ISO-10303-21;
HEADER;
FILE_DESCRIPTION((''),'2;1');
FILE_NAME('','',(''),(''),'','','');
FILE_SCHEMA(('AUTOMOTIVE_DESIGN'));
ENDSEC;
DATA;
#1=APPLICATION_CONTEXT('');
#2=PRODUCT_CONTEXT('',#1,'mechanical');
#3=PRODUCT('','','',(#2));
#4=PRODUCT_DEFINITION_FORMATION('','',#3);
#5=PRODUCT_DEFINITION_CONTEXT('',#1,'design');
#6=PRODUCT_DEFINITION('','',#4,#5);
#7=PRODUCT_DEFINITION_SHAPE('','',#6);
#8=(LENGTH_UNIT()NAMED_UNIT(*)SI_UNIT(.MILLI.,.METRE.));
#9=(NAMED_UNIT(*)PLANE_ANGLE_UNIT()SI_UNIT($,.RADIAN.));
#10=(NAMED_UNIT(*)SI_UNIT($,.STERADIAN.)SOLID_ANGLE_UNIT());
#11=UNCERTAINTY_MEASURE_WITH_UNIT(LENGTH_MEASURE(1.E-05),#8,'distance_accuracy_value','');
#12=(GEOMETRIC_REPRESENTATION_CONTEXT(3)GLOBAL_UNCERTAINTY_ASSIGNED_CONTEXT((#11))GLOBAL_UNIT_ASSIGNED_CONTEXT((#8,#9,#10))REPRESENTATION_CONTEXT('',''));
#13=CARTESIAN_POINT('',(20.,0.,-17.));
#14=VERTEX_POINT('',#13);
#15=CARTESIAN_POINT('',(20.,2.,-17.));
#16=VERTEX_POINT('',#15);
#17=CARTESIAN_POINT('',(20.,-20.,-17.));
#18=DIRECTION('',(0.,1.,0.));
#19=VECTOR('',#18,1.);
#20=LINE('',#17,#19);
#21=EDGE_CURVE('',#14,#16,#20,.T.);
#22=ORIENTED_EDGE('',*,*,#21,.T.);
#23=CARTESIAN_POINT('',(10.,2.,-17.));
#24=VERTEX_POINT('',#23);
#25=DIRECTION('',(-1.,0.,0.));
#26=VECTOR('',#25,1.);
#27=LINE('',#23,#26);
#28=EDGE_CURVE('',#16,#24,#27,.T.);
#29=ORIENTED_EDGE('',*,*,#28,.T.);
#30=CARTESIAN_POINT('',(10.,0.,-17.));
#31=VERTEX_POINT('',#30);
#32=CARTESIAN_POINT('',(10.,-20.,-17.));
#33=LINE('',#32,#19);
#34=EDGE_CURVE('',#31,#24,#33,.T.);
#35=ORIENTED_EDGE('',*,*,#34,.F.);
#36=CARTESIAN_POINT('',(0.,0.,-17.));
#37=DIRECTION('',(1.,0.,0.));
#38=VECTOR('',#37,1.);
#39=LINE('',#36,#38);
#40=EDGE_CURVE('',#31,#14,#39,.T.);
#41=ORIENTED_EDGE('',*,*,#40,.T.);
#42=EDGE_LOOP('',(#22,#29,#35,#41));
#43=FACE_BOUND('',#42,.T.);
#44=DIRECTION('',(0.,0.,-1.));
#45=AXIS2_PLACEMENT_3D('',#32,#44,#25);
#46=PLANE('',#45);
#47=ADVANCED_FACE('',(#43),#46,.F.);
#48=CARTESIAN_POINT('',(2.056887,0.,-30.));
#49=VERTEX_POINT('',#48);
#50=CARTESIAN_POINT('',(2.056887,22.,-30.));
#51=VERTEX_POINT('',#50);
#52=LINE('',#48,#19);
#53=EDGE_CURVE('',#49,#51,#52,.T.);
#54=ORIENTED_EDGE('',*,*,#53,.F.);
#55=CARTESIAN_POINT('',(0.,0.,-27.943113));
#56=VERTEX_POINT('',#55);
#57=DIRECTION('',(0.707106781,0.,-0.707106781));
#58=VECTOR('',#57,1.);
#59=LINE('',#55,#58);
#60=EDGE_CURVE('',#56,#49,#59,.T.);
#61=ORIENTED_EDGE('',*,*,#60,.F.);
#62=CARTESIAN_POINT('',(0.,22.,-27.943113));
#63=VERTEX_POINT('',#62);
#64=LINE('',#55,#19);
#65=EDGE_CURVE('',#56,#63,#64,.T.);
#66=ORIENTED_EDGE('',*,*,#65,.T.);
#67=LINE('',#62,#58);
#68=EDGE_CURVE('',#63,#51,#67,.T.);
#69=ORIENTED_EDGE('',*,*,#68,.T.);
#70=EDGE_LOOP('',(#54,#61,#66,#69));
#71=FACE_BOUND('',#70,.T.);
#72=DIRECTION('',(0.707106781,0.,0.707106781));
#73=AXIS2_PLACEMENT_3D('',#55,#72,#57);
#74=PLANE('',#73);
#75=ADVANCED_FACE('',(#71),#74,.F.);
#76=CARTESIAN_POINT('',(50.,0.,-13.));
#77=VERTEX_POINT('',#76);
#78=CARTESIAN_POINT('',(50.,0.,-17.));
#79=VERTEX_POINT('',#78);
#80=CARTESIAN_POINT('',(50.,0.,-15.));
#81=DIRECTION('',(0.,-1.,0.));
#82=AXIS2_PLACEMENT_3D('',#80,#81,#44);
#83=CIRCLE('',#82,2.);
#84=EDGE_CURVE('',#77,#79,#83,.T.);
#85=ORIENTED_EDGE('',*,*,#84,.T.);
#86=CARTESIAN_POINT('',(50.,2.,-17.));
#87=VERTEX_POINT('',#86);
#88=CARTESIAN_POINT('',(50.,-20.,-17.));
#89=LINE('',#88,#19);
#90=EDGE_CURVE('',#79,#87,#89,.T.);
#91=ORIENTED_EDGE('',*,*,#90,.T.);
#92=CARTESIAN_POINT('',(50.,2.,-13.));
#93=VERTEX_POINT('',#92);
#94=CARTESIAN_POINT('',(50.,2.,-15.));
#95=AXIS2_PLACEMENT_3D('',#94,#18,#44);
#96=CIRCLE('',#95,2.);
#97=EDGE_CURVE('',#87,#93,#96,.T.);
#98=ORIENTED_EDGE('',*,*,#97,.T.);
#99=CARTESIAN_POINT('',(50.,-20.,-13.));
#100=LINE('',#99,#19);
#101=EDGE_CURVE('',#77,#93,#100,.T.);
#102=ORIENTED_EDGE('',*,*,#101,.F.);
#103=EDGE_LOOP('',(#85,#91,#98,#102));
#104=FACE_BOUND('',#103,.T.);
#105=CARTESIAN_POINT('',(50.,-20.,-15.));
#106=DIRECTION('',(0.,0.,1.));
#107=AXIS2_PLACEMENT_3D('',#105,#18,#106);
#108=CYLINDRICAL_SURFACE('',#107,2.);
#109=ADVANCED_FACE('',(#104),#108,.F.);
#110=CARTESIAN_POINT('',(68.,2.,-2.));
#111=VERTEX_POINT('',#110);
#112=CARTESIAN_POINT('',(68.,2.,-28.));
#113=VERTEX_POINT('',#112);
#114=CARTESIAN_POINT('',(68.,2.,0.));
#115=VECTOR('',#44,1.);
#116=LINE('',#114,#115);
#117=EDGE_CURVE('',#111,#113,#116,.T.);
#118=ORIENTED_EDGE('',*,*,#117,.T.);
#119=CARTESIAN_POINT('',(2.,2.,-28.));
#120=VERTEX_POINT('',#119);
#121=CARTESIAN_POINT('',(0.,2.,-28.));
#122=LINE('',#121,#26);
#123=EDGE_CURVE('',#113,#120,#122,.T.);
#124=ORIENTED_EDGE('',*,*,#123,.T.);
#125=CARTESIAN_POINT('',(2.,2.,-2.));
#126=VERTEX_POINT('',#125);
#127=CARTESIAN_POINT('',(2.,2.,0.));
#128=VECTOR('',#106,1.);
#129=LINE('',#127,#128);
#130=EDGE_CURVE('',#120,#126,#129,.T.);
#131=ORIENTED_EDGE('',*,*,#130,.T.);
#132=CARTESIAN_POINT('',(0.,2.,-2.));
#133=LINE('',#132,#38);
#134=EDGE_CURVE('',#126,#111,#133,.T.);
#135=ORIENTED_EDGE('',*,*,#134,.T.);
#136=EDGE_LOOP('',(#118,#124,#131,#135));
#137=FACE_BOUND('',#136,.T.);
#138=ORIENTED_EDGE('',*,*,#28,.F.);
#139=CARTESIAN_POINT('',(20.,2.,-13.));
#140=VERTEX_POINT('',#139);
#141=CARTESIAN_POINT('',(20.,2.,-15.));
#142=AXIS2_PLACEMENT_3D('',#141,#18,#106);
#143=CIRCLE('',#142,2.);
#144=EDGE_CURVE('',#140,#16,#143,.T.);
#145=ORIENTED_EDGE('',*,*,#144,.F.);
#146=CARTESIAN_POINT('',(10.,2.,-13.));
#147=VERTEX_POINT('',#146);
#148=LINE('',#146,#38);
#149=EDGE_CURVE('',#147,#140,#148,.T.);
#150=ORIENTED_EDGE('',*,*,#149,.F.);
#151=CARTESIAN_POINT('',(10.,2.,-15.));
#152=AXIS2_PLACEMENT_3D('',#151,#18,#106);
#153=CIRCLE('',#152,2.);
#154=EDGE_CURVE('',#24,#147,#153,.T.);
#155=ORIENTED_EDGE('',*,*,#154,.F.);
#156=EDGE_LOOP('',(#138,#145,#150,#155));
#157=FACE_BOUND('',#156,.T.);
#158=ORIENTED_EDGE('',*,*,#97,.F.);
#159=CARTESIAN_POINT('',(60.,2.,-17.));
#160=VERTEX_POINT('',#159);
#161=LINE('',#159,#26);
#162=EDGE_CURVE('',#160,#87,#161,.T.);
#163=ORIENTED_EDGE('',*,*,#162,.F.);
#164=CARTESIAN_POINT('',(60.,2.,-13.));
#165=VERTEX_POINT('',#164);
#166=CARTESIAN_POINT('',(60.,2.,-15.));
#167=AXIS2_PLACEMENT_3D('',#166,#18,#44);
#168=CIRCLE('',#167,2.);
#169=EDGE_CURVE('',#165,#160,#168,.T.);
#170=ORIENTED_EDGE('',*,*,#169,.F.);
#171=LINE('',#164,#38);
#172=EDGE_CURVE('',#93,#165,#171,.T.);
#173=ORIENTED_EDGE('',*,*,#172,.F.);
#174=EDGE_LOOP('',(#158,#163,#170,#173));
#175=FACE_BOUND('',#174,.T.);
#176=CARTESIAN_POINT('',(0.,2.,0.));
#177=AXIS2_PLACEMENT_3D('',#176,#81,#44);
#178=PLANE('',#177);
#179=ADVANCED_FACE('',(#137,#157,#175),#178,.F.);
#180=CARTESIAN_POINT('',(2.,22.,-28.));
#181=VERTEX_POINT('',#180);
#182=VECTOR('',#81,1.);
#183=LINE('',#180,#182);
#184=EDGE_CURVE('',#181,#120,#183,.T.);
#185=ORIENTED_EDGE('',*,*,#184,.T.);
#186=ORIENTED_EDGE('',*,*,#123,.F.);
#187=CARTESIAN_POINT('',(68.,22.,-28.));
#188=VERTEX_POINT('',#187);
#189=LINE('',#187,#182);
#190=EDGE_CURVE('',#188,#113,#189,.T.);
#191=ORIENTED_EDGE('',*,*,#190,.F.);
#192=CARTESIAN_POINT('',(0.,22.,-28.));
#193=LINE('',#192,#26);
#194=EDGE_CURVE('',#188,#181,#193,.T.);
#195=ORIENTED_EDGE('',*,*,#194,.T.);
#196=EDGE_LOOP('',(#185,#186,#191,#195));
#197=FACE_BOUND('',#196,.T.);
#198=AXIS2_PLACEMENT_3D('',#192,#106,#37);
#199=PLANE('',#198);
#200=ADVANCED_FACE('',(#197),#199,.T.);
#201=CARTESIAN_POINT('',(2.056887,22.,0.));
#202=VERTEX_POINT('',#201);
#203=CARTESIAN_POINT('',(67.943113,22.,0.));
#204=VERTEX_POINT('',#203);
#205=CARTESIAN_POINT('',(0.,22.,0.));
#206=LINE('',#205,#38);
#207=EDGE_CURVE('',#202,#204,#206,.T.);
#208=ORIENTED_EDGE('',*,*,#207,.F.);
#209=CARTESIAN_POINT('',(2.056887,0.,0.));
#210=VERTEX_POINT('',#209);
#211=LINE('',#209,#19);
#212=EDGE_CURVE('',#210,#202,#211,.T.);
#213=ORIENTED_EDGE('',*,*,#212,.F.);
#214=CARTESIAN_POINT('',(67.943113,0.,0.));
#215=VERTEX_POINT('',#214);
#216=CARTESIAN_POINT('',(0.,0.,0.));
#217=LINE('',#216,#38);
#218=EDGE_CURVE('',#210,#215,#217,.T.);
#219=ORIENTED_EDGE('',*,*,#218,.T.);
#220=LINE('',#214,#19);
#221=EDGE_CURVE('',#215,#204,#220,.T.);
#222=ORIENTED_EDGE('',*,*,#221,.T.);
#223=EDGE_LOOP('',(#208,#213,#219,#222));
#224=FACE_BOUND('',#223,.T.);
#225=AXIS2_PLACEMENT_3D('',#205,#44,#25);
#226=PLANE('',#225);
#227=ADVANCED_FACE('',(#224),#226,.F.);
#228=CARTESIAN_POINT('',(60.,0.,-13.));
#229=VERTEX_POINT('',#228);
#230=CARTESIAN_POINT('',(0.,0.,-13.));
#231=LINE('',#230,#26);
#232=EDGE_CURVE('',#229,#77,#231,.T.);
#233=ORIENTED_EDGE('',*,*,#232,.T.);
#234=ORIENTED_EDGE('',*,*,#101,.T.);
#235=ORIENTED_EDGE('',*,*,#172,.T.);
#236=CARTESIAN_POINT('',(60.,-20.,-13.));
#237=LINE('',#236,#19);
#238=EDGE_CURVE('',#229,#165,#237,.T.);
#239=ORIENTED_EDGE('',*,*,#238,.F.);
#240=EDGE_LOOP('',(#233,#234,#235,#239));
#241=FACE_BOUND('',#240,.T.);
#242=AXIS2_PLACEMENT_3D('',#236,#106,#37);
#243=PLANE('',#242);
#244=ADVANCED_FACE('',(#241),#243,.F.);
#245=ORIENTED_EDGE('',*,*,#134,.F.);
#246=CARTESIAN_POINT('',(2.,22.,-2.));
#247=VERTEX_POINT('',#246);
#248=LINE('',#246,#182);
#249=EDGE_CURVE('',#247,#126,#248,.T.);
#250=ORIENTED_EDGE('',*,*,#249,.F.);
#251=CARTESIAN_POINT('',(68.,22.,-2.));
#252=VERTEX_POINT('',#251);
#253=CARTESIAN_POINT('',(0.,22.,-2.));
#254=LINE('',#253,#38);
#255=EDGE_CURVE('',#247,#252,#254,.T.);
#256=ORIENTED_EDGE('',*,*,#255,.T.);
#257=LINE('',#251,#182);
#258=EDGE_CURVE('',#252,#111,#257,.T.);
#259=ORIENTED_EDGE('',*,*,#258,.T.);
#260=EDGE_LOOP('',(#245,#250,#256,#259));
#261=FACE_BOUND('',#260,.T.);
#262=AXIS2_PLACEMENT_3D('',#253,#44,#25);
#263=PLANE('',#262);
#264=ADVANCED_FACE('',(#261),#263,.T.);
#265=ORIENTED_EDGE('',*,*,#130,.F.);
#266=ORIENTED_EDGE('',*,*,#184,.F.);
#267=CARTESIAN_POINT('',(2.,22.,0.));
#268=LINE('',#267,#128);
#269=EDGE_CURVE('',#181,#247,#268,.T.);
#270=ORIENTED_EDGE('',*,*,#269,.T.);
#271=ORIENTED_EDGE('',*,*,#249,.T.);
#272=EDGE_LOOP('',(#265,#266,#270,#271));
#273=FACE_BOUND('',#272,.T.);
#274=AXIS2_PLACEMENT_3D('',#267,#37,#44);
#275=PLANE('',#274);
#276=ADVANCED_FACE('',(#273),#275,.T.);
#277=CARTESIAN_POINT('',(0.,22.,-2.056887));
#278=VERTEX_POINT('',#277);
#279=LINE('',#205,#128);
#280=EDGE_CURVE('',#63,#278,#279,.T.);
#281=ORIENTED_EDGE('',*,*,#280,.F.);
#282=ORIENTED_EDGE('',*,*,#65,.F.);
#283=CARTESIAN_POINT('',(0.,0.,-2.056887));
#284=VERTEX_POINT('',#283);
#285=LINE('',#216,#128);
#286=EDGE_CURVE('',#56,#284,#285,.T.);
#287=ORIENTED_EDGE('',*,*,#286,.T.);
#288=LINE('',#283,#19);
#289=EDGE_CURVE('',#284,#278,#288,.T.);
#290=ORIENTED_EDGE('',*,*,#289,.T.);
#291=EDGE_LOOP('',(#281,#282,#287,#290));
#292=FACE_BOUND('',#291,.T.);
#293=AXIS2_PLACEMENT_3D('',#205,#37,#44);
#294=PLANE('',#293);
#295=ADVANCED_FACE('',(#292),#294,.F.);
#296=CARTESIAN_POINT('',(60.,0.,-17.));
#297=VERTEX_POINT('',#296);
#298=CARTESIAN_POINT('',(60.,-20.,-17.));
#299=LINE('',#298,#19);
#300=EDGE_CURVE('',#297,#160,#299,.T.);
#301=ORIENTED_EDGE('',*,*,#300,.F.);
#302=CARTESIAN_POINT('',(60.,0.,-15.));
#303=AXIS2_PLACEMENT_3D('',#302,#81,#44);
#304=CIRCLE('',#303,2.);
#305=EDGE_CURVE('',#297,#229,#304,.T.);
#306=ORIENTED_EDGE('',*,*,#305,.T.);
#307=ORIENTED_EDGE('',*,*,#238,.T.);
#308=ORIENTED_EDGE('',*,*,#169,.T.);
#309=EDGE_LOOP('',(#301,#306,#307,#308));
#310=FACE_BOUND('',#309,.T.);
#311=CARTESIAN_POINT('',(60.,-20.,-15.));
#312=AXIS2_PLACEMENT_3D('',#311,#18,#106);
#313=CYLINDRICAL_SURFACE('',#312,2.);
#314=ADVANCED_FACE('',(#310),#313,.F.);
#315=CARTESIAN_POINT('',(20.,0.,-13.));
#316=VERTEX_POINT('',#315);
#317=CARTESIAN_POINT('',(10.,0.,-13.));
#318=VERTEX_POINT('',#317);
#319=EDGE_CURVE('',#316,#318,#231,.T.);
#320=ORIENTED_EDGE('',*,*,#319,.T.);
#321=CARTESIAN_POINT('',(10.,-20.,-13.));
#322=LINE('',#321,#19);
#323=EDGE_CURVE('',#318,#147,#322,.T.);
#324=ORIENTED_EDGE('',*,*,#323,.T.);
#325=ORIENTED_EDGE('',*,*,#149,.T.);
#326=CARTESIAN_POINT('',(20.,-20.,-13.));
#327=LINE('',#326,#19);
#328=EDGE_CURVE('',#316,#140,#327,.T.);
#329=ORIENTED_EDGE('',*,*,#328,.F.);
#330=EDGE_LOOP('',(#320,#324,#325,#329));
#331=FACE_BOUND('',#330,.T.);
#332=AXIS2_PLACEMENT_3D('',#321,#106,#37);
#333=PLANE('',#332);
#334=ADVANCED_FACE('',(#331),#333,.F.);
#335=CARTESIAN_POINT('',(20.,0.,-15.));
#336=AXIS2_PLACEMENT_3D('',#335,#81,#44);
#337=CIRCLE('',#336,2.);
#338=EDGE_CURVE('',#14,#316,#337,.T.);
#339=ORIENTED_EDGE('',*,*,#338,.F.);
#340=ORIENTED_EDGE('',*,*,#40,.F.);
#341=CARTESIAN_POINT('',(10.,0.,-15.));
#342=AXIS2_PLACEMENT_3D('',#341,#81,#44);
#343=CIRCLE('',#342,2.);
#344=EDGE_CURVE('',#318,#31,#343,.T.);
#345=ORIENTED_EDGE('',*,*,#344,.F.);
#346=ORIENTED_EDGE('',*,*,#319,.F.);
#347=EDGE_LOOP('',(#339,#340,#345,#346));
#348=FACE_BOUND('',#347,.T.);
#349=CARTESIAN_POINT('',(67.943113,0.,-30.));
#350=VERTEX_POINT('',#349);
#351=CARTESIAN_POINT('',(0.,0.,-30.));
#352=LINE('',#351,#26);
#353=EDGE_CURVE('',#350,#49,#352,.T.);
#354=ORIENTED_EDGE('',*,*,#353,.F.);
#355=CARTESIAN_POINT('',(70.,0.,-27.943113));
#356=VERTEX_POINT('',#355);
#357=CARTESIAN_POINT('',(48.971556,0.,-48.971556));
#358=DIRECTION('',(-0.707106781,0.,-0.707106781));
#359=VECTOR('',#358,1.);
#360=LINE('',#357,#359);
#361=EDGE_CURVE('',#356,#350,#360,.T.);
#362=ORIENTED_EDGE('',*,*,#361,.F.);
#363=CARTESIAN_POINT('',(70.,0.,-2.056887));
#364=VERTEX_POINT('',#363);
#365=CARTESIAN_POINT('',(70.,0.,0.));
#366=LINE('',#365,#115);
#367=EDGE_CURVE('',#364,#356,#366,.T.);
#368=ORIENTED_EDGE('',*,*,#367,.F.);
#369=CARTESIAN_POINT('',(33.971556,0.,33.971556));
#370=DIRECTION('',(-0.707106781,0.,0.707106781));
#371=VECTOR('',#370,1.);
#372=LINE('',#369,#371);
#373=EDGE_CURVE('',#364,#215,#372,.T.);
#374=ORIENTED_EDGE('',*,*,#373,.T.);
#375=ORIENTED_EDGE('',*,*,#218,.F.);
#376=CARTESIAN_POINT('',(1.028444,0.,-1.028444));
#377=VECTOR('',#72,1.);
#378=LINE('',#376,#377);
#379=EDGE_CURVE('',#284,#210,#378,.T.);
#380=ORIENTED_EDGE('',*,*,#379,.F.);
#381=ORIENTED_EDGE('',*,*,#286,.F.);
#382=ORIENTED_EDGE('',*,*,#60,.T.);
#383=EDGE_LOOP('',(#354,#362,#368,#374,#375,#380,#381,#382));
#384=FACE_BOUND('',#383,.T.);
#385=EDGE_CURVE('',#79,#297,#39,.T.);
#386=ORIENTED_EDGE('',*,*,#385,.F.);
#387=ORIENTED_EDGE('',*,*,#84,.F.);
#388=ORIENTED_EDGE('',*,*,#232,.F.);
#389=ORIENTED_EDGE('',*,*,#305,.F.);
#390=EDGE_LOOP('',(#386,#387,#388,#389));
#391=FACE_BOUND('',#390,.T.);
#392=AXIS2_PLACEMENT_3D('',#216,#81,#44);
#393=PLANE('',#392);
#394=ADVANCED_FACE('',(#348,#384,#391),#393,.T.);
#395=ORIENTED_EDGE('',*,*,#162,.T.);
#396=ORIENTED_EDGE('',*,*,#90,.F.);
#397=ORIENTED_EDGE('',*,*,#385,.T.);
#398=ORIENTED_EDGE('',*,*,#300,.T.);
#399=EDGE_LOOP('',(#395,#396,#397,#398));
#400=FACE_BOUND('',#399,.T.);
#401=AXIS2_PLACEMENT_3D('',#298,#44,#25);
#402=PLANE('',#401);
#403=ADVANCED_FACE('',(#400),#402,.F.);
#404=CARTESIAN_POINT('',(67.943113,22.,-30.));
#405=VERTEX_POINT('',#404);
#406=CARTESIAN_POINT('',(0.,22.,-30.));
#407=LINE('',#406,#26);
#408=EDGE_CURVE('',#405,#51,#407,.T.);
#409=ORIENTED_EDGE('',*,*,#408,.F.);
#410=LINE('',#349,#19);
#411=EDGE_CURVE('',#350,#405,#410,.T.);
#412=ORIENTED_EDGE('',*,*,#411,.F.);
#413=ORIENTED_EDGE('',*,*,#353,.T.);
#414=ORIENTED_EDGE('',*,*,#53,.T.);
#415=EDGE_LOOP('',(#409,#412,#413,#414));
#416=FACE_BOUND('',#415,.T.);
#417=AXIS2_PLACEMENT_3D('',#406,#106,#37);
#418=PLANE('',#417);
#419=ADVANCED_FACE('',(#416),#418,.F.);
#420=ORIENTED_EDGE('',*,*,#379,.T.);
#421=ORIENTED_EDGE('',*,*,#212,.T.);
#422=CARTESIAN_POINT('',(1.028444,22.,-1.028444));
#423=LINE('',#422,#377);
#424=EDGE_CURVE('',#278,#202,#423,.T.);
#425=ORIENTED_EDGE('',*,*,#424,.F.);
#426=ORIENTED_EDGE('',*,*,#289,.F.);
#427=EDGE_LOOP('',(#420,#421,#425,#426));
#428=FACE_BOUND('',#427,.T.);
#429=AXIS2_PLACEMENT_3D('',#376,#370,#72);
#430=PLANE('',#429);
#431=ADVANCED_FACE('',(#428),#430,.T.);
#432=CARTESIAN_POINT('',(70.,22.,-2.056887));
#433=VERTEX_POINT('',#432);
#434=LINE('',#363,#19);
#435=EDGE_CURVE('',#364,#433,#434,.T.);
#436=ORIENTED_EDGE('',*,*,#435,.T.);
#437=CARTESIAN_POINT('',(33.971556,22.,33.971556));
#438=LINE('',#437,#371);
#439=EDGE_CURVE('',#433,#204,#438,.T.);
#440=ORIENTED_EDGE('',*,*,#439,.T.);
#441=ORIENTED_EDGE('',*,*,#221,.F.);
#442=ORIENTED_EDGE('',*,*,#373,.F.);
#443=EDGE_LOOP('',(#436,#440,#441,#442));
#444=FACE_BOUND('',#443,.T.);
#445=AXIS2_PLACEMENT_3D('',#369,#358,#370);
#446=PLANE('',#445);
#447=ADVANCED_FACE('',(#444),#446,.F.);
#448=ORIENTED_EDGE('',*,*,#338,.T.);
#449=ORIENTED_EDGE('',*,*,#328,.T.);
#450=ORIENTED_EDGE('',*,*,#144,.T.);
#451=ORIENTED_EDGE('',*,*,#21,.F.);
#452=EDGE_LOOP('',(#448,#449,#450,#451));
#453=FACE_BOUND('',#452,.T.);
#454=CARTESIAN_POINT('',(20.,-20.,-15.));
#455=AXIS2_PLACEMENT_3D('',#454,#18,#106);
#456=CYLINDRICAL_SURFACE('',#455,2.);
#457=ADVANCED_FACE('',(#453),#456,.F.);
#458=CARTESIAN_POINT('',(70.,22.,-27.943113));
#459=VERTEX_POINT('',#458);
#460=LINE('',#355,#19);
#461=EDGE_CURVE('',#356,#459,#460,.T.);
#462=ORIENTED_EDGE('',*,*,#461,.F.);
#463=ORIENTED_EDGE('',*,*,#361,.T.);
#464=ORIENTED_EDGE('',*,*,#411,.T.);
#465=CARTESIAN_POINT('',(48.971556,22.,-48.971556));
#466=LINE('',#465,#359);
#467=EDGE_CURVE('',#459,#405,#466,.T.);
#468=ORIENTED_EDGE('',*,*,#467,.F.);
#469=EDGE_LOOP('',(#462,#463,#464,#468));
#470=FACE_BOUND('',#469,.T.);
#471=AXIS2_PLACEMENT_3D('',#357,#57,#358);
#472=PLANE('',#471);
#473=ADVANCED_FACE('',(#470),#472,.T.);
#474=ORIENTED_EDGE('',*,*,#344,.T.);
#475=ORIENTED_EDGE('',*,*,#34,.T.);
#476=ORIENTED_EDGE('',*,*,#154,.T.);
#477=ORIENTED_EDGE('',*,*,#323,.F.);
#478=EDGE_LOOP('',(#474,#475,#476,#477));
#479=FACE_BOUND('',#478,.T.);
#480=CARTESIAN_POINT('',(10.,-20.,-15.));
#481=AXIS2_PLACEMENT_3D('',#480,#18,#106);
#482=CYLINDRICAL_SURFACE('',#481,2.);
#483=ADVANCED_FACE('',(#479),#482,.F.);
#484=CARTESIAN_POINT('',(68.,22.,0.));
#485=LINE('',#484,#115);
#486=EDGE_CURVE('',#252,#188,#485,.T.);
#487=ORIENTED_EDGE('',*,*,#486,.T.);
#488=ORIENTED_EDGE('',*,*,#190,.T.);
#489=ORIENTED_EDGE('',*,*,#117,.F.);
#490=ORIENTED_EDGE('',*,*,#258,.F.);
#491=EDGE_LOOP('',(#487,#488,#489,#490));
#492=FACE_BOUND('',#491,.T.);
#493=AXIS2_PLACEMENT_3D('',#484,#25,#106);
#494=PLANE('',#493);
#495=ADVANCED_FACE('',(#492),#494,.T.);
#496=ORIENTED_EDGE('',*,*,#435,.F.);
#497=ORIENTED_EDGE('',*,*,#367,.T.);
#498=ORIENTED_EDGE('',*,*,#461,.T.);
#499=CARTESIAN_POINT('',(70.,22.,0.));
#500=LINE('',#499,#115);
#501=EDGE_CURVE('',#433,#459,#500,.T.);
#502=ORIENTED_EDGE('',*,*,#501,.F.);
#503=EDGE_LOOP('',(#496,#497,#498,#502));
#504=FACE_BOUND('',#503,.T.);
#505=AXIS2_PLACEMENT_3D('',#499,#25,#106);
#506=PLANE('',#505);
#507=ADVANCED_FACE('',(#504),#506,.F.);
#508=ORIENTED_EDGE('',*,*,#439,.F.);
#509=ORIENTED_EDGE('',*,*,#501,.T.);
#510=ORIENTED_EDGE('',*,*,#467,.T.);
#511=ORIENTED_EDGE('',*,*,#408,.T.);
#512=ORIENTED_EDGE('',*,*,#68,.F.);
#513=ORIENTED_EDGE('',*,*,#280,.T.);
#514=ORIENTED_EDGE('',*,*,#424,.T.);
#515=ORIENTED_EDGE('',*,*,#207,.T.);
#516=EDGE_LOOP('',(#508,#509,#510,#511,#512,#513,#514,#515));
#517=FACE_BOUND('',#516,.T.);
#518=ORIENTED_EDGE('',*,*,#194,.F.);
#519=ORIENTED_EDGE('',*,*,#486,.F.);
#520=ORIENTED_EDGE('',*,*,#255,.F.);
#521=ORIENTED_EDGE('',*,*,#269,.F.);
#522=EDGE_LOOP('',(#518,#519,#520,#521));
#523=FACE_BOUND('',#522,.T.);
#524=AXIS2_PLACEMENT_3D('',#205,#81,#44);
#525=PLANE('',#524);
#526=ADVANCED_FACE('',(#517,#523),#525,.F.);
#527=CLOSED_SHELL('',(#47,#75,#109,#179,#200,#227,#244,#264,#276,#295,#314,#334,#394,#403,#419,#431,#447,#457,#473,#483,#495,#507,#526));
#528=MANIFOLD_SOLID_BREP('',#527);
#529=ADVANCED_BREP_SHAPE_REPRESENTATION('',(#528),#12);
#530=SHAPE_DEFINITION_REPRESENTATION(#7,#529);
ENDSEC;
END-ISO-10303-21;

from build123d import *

# Parameters (mm, degrees)
CROQUIS1_W              = 70
CROQUIS1_H              = 30
SALIENTE_EXTRUIR1_DEPTH = 22
VACIADO1_T              = -2
CORTAR_EXTRUIR1_DEPTH   = 22
CORTAR_EXTRUIR3_DEPTH   = 22


with BuildPart() as part:
    # Croquis1 → Saliente-Extruir1 (new body)
    with BuildSketch(Plane(origin=(0, 0, 0), x_dir=(1, 0, 0), z_dir=(0, 1, 0))):
        with Locations((35, 15)):
            Rectangle(CROQUIS1_W, CROQUIS1_H)
    extrude(amount=SALIENTE_EXTRUIR1_DEPTH)

    # Vaciado1
    vaciado1_openings = [part.faces().sort_by_distance(p)[0] for p in [
        (35, 22, -15),
    ]]
    offset(amount=VACIADO1_T, openings=vaciado1_openings, kind=Kind.INTERSECTION)

    # Croquis2 → Cortar-Extruir1 (cut)
    with BuildSketch(Plane(origin=(0, 2, 0), x_dir=(1, 0, 0), z_dir=(0, 1, 0))):
        with BuildLine():
            Line((60, 17), (50, 17))
            ThreePointArc((50, 17), (48, 15), (50, 13))
            Line((50, 13), (60, 13))
            ThreePointArc((60, 13), (62, 15), (60, 17))
        make_face()
        with BuildLine():
            Line((10, 17), (20, 17))
            ThreePointArc((20, 17), (22, 15), (20, 13))
            Line((20, 13), (10, 13))
            ThreePointArc((10, 13), (8, 15), (10, 17))
        make_face()
    extrude(amount=-CORTAR_EXTRUIR1_DEPTH, mode=Mode.SUBTRACT)

    # Croquis3 → Cortar-Extruir3 (cut)
    with BuildSketch(Plane(origin=(0, 22, 0), x_dir=(1, 0, 0), z_dir=(0, 1, 0))):
        Polygon((2.056887166, 0), (0, 2.056887166), (0, 0), align=None)
        Polygon((70, 0), (70, 2.056887166), (67.943112834, 0), align=None)
        Polygon((70, 30), (67.943112834, 30), (70, 27.943112834), align=None)
        Polygon((0, 30), (2.056887166, 30), (0, 27.943112834), align=None)
    extrude(amount=-CORTAR_EXTRUIR3_DEPTH, mode=Mode.SUBTRACT)


solid = part.part
